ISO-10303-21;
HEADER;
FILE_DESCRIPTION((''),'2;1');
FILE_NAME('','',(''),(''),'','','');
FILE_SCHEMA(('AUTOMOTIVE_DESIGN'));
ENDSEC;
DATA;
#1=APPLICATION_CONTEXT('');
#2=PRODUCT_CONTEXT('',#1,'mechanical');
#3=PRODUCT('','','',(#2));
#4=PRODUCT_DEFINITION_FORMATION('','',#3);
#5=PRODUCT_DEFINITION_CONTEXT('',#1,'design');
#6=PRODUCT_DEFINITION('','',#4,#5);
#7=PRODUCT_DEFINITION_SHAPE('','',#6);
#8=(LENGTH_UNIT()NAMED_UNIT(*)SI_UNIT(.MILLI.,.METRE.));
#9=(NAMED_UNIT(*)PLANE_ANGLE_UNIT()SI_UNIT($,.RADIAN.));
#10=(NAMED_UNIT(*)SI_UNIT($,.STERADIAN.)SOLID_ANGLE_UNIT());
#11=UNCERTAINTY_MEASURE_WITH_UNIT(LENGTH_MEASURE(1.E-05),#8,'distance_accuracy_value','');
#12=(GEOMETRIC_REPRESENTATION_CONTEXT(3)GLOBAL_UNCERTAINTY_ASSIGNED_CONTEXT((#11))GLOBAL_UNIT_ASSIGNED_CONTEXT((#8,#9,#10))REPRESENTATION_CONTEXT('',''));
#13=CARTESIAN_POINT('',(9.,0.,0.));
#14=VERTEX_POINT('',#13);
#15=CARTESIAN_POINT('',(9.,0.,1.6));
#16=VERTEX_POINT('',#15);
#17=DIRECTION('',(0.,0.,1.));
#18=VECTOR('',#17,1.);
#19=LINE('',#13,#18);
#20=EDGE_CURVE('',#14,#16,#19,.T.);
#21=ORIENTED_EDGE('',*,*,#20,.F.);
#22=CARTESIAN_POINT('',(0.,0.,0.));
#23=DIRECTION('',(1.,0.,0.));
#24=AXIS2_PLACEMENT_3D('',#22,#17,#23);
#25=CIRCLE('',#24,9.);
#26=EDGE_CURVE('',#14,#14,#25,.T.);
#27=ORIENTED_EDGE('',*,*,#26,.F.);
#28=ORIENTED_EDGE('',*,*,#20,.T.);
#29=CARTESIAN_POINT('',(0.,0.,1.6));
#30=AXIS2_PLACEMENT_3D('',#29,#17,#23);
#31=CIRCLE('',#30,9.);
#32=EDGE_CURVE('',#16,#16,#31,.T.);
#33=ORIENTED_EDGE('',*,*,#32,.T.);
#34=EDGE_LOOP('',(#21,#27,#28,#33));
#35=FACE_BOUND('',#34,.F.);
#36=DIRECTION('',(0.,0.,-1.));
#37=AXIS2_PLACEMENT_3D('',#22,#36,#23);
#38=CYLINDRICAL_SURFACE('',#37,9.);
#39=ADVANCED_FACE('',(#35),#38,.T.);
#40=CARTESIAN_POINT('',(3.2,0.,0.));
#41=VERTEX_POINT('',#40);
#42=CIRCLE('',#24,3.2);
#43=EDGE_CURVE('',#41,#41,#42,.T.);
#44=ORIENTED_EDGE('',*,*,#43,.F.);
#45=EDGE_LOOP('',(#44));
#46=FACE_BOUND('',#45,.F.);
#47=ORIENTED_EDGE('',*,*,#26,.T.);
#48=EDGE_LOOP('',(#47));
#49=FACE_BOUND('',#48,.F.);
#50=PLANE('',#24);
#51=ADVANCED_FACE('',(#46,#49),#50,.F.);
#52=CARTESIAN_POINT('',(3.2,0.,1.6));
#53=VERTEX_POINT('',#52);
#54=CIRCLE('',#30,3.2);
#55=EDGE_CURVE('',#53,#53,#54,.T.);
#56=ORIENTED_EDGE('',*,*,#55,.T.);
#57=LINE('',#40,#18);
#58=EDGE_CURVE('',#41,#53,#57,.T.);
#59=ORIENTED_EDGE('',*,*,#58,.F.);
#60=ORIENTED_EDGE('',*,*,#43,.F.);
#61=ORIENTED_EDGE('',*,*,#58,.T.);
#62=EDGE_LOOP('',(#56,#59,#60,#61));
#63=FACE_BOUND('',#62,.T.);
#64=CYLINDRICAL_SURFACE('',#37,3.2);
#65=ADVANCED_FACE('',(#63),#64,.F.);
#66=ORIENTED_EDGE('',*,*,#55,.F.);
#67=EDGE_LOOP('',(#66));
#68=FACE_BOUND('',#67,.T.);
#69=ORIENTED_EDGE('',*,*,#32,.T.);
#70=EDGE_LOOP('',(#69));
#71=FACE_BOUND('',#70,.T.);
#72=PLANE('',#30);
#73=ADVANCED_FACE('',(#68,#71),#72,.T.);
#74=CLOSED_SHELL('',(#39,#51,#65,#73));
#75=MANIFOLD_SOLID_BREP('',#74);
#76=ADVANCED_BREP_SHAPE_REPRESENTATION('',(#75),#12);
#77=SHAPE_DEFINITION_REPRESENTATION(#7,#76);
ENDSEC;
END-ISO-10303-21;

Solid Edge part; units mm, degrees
sketch "Sketch1" plane through (0, 0, 0) normal (0, 0, 1) x (1, 0, 0)
  circle A0 centre (0, 0) radius 9
  circle A1 centre (0, 0) radius 3.2
  dimension "D1" = 6.4
  dimension "D2" = 18
extrude "Protrusion1" add sketch "Sketch1" along normal blind 1.6
properties material "Steel"
